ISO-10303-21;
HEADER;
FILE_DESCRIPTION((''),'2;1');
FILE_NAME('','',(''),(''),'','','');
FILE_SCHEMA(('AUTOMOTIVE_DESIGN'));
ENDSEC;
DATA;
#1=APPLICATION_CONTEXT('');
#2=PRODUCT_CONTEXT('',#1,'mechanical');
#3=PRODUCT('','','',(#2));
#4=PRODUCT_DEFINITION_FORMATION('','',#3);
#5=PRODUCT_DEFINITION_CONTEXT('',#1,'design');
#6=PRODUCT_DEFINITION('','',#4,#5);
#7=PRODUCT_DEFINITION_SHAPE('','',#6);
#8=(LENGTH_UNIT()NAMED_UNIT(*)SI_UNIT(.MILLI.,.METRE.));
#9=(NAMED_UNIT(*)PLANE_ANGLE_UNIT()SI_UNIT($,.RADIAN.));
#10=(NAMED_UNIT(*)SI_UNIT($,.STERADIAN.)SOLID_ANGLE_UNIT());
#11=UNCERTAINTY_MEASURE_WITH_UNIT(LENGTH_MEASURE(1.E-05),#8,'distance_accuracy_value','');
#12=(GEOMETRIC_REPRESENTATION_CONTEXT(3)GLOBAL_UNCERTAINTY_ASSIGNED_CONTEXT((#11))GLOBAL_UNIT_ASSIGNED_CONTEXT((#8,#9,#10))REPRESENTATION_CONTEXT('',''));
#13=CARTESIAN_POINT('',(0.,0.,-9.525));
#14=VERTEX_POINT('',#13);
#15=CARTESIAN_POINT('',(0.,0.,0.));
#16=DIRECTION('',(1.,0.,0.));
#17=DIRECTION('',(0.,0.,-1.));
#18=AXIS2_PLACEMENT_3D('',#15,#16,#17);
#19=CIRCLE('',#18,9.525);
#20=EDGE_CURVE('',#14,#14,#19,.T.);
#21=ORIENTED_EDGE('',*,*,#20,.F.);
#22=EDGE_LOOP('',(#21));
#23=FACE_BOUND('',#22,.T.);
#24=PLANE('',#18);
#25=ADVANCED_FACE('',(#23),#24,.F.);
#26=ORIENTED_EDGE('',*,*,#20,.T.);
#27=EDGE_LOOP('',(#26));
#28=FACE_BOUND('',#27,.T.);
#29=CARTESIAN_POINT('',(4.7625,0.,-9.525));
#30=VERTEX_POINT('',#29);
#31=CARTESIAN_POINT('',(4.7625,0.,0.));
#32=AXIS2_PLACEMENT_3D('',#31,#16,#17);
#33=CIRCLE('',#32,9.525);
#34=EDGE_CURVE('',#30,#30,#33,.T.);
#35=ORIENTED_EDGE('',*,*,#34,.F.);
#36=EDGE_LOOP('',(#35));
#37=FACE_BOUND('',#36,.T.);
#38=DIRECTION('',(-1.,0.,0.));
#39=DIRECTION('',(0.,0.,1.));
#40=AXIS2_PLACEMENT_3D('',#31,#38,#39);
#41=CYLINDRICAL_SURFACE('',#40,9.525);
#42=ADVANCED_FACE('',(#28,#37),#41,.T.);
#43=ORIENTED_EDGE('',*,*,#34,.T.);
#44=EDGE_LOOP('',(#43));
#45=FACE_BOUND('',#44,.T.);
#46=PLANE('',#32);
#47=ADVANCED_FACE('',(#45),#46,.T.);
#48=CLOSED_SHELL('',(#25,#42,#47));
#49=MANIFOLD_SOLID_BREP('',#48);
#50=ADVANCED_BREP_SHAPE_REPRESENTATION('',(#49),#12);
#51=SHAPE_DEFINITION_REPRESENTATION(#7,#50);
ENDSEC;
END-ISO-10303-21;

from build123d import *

# Parameters (mm, degrees)
SKETCH1_R           = 9.525
BOSS_EXTRUDE1_DEPTH = 4.7625


with BuildPart() as part:
    # Sketch1 → Boss-Extrude1 (new body)
    with BuildSketch(Plane(origin=(0, 0, 0), x_dir=(0, 0, -1), z_dir=(1, 0, 0))):
        Circle(SKETCH1_R)
    extrude(amount=BOSS_EXTRUDE1_DEPTH)


solid = part.part
